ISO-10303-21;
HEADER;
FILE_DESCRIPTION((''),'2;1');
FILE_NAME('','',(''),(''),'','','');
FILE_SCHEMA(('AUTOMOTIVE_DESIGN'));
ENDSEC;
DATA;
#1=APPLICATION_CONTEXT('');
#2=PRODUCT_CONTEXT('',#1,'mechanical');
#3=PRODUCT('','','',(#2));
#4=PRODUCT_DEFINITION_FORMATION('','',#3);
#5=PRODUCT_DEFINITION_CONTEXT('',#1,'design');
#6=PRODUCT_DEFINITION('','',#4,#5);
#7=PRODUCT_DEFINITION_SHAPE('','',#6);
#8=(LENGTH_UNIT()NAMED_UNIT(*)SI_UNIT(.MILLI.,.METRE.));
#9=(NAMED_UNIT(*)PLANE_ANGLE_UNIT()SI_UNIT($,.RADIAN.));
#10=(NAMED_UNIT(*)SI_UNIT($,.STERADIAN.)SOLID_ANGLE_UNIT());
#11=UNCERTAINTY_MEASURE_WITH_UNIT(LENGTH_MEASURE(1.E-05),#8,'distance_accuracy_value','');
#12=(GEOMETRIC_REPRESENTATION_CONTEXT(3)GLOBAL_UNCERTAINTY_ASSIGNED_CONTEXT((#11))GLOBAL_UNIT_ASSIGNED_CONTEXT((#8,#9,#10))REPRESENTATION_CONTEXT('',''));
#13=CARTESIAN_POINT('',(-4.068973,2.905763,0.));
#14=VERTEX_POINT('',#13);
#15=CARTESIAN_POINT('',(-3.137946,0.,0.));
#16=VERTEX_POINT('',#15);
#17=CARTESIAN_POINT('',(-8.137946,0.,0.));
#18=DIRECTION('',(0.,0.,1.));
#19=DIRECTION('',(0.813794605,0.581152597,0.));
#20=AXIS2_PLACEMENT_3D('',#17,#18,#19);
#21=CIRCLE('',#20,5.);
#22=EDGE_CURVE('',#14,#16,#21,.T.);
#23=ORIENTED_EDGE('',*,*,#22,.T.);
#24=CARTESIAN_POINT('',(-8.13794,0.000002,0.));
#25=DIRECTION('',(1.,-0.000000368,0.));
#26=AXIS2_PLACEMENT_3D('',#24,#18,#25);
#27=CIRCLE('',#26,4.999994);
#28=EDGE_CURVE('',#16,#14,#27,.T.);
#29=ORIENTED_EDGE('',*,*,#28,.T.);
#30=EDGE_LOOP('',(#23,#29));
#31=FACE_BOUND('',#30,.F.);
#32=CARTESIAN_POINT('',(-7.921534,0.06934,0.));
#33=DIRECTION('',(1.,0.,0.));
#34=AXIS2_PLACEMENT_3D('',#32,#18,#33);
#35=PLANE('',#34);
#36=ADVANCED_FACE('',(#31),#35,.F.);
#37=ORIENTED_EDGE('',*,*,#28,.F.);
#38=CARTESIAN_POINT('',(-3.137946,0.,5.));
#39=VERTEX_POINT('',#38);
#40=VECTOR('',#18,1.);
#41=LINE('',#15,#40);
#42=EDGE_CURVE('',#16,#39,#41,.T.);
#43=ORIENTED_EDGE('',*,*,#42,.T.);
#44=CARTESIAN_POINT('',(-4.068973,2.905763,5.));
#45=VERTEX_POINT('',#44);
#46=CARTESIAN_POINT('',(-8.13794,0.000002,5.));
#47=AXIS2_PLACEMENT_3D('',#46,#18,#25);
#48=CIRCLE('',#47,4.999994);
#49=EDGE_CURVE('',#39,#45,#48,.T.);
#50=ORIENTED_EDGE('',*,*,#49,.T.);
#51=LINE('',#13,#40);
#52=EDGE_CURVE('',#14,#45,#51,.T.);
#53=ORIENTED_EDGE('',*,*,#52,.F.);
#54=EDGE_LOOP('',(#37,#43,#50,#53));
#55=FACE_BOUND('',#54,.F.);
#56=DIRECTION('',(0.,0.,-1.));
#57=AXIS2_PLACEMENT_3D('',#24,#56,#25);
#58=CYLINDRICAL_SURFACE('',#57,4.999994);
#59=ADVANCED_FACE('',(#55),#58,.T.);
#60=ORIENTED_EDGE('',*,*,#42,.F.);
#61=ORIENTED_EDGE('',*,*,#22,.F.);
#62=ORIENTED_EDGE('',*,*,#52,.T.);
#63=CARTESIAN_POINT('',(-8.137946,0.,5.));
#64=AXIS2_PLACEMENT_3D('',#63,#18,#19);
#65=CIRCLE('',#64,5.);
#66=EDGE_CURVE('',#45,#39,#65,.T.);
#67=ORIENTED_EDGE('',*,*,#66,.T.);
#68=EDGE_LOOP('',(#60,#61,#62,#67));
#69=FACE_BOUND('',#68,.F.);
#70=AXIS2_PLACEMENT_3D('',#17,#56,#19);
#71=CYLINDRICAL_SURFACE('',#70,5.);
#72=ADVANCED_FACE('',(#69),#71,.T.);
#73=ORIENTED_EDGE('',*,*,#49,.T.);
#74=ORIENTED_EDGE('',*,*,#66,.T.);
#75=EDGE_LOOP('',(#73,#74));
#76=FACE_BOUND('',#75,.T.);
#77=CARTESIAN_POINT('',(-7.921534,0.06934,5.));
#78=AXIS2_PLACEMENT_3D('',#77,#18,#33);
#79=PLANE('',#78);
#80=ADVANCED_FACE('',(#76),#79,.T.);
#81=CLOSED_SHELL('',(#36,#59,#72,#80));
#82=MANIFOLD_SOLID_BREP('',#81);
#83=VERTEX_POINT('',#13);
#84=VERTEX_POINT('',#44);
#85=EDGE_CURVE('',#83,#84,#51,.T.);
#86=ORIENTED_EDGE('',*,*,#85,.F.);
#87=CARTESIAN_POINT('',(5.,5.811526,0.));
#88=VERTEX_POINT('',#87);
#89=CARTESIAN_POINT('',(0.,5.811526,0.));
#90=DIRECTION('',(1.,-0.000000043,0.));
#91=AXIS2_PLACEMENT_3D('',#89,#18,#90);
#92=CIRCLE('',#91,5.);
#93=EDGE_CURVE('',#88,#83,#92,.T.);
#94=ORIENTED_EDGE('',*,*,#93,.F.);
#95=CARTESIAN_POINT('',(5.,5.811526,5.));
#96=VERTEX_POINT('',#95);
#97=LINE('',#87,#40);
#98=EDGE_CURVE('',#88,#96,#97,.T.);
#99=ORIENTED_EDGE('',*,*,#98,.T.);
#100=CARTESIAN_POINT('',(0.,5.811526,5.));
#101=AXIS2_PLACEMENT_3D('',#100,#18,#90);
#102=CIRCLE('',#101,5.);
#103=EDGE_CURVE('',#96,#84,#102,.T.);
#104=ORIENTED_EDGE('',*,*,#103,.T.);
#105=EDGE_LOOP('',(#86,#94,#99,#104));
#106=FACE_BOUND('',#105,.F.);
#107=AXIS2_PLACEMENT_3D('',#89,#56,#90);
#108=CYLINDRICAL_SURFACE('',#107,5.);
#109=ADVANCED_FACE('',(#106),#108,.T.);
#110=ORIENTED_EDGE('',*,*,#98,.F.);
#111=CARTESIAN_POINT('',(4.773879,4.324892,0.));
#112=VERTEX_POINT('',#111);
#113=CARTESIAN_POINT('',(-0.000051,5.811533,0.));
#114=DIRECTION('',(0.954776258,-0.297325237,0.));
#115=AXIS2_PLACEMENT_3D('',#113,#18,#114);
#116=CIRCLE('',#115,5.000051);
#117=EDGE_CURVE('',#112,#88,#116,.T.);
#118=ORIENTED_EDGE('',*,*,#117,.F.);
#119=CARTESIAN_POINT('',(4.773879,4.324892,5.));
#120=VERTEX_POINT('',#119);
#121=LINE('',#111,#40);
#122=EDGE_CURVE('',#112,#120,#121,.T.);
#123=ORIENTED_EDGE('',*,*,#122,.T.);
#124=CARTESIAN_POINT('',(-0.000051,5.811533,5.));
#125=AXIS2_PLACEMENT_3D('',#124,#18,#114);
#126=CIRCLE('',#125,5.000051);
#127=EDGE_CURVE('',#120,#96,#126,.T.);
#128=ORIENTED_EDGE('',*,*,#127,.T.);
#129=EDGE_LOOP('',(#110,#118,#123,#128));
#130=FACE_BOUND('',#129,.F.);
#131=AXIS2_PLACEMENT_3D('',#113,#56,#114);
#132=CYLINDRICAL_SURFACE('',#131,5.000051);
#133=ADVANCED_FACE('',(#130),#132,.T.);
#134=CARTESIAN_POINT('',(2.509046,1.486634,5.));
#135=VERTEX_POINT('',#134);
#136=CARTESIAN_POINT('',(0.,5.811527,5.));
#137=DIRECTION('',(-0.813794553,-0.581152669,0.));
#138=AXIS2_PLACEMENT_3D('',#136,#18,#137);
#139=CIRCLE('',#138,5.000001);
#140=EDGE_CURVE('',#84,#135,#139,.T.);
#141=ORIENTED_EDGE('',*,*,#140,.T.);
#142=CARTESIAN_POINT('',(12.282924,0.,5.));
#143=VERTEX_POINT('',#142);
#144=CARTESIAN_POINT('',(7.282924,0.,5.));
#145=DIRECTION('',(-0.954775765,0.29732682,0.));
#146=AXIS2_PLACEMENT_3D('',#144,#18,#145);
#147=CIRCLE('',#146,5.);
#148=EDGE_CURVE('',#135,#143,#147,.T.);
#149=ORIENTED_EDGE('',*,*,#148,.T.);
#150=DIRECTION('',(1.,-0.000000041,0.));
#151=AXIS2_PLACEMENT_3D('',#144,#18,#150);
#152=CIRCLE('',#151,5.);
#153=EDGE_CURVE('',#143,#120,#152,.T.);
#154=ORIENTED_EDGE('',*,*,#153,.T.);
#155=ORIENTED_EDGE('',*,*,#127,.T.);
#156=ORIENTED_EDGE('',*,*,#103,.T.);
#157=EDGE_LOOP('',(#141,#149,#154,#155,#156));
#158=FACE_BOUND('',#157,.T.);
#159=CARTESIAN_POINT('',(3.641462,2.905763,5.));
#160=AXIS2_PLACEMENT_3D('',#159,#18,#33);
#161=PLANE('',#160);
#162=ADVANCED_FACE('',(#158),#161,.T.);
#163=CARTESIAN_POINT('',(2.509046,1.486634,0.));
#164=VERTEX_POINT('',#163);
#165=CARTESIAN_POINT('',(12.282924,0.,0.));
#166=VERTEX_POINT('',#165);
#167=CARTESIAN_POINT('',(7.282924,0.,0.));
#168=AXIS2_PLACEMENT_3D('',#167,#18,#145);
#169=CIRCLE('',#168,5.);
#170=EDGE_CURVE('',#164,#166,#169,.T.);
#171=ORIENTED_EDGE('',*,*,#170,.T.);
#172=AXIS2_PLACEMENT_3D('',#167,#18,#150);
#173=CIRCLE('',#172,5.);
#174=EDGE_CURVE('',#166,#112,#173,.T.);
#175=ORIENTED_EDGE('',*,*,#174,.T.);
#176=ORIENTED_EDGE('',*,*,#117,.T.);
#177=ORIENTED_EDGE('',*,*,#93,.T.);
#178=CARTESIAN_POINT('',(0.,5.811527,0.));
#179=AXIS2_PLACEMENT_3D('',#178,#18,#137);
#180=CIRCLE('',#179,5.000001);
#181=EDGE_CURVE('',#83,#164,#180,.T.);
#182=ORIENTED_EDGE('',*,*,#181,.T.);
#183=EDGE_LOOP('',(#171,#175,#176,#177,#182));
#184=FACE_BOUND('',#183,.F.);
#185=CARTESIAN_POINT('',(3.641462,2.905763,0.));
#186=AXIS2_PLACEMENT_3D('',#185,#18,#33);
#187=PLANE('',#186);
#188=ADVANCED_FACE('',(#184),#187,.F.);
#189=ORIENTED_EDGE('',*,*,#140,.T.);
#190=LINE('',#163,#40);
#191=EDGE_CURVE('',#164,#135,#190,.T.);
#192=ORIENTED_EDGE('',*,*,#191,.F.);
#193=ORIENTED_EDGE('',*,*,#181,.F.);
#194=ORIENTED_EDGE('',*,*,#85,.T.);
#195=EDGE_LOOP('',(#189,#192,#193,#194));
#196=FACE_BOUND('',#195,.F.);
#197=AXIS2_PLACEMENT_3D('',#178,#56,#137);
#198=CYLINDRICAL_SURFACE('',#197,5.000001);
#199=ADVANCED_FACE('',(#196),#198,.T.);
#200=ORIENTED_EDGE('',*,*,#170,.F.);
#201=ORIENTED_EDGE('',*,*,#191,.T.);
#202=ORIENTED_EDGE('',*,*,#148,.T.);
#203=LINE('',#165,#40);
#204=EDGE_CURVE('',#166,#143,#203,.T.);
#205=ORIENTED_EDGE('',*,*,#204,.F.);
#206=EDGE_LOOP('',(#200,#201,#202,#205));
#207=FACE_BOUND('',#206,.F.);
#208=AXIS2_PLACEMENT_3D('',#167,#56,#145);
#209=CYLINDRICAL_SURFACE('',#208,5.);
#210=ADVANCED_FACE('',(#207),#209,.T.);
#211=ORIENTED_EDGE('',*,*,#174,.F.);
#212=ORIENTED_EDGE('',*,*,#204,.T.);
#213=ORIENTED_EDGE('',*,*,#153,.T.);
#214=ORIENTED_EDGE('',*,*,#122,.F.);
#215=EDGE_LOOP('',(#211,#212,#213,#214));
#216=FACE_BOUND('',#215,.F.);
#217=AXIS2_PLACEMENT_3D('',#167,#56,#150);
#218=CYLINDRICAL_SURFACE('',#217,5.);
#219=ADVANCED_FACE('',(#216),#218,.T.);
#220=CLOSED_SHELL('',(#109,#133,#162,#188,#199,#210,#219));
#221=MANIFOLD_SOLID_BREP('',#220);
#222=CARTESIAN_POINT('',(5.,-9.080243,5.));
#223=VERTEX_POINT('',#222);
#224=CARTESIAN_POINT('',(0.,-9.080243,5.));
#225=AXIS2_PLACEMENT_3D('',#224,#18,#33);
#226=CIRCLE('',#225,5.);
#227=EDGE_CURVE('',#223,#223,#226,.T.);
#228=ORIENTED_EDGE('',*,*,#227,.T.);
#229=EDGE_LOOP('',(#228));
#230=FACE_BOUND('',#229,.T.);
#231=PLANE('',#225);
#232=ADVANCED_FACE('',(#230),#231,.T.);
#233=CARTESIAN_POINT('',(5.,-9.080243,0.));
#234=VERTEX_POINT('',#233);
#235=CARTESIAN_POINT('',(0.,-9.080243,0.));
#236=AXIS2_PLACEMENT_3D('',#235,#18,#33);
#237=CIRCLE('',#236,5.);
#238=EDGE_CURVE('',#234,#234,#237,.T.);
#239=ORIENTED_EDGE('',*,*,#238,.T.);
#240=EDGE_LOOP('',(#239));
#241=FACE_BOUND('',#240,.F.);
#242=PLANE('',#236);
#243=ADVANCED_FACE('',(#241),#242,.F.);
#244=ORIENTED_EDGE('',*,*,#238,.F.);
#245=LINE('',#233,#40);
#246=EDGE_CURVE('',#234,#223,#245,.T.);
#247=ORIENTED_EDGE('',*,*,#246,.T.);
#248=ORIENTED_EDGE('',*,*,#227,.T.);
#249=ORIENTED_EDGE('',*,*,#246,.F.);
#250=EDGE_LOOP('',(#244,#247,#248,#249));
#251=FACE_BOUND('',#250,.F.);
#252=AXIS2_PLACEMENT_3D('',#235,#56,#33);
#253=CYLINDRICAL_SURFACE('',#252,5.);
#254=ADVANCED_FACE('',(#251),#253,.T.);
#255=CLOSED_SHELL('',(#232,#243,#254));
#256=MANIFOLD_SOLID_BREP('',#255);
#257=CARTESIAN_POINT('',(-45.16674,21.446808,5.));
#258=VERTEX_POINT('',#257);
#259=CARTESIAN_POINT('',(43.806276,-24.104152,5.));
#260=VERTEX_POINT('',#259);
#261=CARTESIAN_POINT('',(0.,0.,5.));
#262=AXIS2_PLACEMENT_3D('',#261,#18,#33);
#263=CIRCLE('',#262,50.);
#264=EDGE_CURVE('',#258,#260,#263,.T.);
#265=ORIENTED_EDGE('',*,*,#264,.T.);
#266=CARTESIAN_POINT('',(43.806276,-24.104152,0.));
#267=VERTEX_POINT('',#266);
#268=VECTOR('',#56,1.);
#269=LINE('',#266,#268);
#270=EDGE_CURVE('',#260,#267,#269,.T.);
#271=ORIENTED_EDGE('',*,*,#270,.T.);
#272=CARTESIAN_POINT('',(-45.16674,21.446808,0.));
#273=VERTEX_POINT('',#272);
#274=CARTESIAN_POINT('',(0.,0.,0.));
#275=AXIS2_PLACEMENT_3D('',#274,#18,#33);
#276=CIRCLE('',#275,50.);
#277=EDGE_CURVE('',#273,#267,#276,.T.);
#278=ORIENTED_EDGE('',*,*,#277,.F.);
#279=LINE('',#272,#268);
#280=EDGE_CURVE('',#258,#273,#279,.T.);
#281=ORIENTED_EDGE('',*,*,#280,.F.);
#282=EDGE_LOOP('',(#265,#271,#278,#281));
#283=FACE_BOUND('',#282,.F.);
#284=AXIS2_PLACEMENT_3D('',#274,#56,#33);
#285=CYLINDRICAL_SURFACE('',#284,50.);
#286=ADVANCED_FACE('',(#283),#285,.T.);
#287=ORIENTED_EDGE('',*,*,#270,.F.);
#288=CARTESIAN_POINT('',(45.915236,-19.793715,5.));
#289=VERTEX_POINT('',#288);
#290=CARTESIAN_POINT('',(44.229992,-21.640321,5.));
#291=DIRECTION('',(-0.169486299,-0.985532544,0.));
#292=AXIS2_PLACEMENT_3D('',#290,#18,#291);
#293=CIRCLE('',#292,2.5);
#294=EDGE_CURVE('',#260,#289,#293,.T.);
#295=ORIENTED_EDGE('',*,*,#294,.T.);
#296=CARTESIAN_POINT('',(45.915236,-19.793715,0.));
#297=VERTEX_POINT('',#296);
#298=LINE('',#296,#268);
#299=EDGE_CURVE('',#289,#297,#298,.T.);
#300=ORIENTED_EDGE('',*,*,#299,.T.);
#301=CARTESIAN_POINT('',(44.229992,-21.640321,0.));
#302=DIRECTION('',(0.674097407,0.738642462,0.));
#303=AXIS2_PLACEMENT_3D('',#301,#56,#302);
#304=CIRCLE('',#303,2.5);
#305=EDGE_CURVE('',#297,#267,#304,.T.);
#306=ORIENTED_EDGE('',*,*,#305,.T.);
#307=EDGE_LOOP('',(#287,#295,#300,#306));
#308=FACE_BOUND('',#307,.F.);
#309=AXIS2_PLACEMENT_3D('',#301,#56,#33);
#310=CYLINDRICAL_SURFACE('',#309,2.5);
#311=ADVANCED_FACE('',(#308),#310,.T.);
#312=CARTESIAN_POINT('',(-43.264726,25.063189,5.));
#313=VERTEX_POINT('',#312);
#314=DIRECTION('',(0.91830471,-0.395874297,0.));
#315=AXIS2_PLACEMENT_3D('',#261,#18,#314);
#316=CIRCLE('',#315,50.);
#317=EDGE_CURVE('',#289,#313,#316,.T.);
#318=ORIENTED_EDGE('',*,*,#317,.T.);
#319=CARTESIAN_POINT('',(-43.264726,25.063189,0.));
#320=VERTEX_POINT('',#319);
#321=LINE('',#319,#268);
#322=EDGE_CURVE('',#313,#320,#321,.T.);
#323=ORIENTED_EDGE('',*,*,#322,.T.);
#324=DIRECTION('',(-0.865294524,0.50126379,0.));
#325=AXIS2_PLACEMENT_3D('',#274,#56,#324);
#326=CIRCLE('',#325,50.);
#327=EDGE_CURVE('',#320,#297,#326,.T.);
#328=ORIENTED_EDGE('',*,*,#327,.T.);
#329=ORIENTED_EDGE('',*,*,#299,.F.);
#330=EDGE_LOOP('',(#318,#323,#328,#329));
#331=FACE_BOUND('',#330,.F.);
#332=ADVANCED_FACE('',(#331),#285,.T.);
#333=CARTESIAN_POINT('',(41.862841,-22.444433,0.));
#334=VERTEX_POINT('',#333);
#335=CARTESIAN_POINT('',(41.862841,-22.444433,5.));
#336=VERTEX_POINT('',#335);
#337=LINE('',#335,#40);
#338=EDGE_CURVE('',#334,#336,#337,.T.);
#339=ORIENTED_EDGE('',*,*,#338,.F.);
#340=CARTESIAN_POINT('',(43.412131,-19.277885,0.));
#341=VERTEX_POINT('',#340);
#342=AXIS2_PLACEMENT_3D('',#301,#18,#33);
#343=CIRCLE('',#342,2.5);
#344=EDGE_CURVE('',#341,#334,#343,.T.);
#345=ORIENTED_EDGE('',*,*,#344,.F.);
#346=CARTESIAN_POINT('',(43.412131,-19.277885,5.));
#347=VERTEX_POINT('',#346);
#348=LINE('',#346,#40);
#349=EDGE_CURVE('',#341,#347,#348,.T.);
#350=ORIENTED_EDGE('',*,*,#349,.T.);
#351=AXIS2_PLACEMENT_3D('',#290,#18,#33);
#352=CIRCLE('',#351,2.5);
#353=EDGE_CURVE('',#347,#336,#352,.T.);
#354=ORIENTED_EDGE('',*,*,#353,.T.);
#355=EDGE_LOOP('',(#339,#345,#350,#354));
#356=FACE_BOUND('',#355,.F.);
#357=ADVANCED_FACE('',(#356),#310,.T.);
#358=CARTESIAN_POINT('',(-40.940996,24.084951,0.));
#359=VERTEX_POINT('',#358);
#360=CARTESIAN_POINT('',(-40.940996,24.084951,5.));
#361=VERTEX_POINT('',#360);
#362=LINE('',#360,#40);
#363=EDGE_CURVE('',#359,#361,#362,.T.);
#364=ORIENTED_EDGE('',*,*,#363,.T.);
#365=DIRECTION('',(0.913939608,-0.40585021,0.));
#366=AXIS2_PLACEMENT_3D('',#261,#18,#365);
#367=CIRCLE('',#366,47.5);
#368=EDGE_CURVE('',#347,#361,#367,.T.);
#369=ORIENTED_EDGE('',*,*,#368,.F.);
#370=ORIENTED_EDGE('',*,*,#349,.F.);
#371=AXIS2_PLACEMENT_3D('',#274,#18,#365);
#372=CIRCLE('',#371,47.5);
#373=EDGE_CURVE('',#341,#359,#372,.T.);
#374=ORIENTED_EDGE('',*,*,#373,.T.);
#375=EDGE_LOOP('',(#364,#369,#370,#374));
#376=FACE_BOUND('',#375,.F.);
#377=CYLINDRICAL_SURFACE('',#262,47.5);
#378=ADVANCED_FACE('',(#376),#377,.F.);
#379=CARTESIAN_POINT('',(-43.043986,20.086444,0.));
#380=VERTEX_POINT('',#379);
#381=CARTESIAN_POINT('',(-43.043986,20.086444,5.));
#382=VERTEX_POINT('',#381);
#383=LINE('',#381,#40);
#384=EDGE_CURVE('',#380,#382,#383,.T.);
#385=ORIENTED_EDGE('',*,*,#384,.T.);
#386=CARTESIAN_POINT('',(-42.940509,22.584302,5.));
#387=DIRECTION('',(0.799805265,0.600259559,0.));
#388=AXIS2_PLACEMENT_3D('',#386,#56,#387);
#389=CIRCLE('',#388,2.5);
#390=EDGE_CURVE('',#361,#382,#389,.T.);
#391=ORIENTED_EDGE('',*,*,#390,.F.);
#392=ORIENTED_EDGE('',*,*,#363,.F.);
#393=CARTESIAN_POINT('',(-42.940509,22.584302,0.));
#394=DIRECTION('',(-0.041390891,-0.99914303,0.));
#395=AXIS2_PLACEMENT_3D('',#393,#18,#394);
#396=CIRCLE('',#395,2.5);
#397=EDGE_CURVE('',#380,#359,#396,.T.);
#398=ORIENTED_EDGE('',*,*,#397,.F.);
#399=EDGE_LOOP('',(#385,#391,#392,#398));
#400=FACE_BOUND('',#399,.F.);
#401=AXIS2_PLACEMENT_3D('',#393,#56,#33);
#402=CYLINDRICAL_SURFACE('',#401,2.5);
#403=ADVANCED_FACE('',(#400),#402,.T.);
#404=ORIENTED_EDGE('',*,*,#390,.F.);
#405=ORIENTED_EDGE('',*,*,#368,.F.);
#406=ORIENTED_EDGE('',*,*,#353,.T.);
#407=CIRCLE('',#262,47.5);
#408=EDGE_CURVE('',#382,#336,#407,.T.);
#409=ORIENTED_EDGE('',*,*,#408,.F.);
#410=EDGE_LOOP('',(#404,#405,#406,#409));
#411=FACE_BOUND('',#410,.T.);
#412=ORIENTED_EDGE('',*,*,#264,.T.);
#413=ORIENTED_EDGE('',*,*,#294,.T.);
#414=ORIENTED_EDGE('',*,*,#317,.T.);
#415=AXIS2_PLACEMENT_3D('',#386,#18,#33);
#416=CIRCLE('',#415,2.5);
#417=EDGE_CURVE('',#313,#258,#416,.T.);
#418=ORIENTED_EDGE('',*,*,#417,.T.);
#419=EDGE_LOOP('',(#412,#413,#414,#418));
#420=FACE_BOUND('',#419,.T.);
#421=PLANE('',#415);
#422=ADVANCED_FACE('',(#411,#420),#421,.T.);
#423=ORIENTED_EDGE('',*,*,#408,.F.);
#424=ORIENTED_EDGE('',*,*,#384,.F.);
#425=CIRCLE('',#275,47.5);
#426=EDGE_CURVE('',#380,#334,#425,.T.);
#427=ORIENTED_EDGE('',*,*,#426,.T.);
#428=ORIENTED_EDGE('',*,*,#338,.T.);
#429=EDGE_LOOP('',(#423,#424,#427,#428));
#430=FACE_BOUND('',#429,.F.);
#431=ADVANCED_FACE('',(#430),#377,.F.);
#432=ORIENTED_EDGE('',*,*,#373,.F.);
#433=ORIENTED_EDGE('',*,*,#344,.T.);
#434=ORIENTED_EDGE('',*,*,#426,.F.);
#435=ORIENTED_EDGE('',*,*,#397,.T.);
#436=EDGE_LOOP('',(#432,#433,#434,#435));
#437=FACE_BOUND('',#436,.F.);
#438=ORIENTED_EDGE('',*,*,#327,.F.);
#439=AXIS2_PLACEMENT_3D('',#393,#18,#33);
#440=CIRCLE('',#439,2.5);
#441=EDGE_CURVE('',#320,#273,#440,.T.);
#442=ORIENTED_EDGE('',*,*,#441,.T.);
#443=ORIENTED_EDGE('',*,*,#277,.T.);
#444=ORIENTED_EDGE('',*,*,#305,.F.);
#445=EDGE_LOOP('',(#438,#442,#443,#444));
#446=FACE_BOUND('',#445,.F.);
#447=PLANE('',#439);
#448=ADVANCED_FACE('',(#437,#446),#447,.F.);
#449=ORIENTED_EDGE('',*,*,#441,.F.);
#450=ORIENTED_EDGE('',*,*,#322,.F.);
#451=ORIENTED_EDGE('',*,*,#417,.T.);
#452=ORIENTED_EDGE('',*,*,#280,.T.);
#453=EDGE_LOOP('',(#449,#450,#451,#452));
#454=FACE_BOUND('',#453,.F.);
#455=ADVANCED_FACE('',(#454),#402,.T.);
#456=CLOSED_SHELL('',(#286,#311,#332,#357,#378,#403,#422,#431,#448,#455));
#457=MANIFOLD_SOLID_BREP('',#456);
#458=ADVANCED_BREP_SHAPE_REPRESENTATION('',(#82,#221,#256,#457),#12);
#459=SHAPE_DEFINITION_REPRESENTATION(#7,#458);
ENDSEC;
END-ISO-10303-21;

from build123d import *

# Parameters (mm, degrees)
F0_R     = 50
F1_DEPTH = 5
F2_R     = 47.5
F3_DEPTH = 5
F4_R     = 5
F5_DEPTH = 5
F6_R     = 2.5
F7_DEPTH = 5


with BuildPart() as f1:
    # F0 (on Top) → F1 (new body)
    with BuildSketch(Plane.XY):
        Circle(F0_R)
    extrude(amount=F1_DEPTH)

    # F2 (on face) → F3 (cut)
    with BuildSketch(Plane.XY.offset(5)):
        Circle(F2_R)
    extrude(amount=-F3_DEPTH, mode=Mode.SUBTRACT)

    # F6 (on Top) → F7 (join)
    with BuildSketch(Plane.XY):
        with Locations((-42.940509, 22.584302)):
            Circle(F6_R)
        with Locations((44.229992, -21.640321)):
            Circle(F6_R)
    extrude(amount=F7_DEPTH)


with BuildPart() as f5:
    # F4 (on Top) → F5 (new body)
    with BuildSketch(Plane.XY):
        with BuildLine():
            ThreePointArc((4.773879, 4.324892), (3.374706, 3.118626), (2.509046, 1.486634))
            ThreePointArc((2.509046, 1.486634), (3.908219, 2.6929), (4.773879, 4.324892))
        make_face()
        with BuildLine():
            ThreePointArc((4.773879, 4.324892), (3.908219, 2.6929), (2.509046, 1.486634))
            ThreePointArc((2.509046, 1.486634), (6.531058, -4.943146), (12.282924, 0))
            ThreePointArc((12.282924, 0), (9.778398, 4.332737), (4.773879, 4.324892))
        make_face()
        with BuildLine():
            ThreePointArc((5, 5.811526), (-1.525637, 10.573084), (-4.068973, 2.905763))
            ThreePointArc((-4.068973, 2.905763), (-1.054431, 0.923973), (2.509046, 1.486634))
            ThreePointArc((2.509046, 1.486634), (3.374706, 3.118626), (4.773879, 4.324892))
            ThreePointArc((4.773879, 4.324892), (4.943146, 5.05966), (5, 5.811526))
        make_face()
        with BuildLine():
            ThreePointArc((-4.068973, 2.905763), (-12.899504, -1.525637), (-3.137946, 0))
            ThreePointArc((-3.137946, 0), (-3.376388, 1.525637), (-4.068973, 2.905763))
        make_face()
        with Locations((0, -9.080243)):
            Circle(F4_R)
    extrude(amount=F5_DEPTH)


solid = Compound([f1.part, f5.part])
